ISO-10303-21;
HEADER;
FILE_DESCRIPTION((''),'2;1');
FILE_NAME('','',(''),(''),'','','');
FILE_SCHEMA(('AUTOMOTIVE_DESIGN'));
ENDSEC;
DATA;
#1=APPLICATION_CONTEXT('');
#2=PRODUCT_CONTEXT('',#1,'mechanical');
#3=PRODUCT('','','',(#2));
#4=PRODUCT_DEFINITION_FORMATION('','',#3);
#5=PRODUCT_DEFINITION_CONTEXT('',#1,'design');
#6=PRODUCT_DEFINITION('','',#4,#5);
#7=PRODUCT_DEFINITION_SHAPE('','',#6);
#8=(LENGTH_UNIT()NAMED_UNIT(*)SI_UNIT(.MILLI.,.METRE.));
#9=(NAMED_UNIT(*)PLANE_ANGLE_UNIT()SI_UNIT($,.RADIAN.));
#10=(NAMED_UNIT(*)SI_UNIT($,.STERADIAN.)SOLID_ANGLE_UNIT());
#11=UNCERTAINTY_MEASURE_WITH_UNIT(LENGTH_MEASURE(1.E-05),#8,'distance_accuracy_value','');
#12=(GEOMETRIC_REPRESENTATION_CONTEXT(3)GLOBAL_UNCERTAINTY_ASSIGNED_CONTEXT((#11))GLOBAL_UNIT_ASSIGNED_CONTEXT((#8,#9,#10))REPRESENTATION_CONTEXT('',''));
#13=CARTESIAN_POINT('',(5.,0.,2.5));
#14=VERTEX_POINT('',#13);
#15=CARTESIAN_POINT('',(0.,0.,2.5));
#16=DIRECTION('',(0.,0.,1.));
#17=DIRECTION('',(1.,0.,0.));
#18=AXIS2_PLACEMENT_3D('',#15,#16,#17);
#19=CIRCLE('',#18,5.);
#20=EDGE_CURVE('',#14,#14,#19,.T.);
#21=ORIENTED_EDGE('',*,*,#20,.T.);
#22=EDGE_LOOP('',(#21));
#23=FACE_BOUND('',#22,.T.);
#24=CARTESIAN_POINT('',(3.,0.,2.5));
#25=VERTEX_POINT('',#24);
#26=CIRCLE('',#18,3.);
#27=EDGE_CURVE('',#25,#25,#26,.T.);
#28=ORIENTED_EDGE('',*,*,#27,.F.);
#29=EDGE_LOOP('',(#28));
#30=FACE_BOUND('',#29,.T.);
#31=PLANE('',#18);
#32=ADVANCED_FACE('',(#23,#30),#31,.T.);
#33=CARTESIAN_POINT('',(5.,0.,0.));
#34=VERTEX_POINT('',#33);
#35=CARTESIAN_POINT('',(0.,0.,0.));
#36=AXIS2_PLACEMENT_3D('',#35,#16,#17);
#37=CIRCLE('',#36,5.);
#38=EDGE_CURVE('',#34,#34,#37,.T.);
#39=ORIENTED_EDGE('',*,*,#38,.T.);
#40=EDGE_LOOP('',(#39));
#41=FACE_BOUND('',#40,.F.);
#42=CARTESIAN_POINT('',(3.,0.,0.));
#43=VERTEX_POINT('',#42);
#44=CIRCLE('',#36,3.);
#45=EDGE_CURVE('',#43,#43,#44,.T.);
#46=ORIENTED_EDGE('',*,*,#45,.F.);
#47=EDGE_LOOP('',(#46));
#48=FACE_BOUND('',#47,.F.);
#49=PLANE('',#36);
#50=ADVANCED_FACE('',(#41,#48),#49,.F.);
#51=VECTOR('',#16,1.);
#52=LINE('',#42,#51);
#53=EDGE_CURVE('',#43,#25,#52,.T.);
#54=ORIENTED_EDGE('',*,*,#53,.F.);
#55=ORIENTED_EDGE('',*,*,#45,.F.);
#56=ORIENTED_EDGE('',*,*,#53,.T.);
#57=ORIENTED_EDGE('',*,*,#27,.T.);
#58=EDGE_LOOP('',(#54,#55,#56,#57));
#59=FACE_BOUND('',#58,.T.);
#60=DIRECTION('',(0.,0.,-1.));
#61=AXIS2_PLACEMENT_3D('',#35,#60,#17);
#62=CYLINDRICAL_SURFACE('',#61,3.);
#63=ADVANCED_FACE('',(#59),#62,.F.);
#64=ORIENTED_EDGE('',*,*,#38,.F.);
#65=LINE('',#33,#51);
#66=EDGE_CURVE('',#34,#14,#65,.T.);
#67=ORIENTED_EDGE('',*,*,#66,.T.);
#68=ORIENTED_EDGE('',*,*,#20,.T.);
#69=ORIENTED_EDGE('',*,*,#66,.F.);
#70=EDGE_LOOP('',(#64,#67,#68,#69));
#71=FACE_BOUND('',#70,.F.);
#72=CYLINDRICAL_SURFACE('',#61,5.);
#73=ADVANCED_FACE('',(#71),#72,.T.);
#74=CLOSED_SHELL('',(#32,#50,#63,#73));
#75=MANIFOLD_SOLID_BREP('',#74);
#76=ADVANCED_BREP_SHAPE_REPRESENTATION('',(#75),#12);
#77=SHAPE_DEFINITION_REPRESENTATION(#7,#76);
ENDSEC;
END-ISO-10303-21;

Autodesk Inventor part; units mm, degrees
ref_plane "YZ Plane" through (0, 0, 0) normal (1, 0, 0) x (0, 1, 0)
ref_plane "XZ Plane" through (0, 0, 0) normal (0, 1, 0) x (-1, 0, 0)
ref_plane "XY Plane" through (0, 0, 0) normal (0, 0, 1) x (1, 0, 0)
sketch "スケッチ1" plane through (0, 0, 0) normal (0, 0, 1) x (1, 0, 0)
  circle A0 centre (0, 0) radius 5
  circle A1 centre (0, 0) radius 3
  dimension "d0" = 10
  dimension "d1" = 6
extrude "押し出し1" add sketch "スケッチ1" along normal blind 2.5
properties part number "スペーサーM6L2.5樹脂" material "アセタール樹脂、白"
